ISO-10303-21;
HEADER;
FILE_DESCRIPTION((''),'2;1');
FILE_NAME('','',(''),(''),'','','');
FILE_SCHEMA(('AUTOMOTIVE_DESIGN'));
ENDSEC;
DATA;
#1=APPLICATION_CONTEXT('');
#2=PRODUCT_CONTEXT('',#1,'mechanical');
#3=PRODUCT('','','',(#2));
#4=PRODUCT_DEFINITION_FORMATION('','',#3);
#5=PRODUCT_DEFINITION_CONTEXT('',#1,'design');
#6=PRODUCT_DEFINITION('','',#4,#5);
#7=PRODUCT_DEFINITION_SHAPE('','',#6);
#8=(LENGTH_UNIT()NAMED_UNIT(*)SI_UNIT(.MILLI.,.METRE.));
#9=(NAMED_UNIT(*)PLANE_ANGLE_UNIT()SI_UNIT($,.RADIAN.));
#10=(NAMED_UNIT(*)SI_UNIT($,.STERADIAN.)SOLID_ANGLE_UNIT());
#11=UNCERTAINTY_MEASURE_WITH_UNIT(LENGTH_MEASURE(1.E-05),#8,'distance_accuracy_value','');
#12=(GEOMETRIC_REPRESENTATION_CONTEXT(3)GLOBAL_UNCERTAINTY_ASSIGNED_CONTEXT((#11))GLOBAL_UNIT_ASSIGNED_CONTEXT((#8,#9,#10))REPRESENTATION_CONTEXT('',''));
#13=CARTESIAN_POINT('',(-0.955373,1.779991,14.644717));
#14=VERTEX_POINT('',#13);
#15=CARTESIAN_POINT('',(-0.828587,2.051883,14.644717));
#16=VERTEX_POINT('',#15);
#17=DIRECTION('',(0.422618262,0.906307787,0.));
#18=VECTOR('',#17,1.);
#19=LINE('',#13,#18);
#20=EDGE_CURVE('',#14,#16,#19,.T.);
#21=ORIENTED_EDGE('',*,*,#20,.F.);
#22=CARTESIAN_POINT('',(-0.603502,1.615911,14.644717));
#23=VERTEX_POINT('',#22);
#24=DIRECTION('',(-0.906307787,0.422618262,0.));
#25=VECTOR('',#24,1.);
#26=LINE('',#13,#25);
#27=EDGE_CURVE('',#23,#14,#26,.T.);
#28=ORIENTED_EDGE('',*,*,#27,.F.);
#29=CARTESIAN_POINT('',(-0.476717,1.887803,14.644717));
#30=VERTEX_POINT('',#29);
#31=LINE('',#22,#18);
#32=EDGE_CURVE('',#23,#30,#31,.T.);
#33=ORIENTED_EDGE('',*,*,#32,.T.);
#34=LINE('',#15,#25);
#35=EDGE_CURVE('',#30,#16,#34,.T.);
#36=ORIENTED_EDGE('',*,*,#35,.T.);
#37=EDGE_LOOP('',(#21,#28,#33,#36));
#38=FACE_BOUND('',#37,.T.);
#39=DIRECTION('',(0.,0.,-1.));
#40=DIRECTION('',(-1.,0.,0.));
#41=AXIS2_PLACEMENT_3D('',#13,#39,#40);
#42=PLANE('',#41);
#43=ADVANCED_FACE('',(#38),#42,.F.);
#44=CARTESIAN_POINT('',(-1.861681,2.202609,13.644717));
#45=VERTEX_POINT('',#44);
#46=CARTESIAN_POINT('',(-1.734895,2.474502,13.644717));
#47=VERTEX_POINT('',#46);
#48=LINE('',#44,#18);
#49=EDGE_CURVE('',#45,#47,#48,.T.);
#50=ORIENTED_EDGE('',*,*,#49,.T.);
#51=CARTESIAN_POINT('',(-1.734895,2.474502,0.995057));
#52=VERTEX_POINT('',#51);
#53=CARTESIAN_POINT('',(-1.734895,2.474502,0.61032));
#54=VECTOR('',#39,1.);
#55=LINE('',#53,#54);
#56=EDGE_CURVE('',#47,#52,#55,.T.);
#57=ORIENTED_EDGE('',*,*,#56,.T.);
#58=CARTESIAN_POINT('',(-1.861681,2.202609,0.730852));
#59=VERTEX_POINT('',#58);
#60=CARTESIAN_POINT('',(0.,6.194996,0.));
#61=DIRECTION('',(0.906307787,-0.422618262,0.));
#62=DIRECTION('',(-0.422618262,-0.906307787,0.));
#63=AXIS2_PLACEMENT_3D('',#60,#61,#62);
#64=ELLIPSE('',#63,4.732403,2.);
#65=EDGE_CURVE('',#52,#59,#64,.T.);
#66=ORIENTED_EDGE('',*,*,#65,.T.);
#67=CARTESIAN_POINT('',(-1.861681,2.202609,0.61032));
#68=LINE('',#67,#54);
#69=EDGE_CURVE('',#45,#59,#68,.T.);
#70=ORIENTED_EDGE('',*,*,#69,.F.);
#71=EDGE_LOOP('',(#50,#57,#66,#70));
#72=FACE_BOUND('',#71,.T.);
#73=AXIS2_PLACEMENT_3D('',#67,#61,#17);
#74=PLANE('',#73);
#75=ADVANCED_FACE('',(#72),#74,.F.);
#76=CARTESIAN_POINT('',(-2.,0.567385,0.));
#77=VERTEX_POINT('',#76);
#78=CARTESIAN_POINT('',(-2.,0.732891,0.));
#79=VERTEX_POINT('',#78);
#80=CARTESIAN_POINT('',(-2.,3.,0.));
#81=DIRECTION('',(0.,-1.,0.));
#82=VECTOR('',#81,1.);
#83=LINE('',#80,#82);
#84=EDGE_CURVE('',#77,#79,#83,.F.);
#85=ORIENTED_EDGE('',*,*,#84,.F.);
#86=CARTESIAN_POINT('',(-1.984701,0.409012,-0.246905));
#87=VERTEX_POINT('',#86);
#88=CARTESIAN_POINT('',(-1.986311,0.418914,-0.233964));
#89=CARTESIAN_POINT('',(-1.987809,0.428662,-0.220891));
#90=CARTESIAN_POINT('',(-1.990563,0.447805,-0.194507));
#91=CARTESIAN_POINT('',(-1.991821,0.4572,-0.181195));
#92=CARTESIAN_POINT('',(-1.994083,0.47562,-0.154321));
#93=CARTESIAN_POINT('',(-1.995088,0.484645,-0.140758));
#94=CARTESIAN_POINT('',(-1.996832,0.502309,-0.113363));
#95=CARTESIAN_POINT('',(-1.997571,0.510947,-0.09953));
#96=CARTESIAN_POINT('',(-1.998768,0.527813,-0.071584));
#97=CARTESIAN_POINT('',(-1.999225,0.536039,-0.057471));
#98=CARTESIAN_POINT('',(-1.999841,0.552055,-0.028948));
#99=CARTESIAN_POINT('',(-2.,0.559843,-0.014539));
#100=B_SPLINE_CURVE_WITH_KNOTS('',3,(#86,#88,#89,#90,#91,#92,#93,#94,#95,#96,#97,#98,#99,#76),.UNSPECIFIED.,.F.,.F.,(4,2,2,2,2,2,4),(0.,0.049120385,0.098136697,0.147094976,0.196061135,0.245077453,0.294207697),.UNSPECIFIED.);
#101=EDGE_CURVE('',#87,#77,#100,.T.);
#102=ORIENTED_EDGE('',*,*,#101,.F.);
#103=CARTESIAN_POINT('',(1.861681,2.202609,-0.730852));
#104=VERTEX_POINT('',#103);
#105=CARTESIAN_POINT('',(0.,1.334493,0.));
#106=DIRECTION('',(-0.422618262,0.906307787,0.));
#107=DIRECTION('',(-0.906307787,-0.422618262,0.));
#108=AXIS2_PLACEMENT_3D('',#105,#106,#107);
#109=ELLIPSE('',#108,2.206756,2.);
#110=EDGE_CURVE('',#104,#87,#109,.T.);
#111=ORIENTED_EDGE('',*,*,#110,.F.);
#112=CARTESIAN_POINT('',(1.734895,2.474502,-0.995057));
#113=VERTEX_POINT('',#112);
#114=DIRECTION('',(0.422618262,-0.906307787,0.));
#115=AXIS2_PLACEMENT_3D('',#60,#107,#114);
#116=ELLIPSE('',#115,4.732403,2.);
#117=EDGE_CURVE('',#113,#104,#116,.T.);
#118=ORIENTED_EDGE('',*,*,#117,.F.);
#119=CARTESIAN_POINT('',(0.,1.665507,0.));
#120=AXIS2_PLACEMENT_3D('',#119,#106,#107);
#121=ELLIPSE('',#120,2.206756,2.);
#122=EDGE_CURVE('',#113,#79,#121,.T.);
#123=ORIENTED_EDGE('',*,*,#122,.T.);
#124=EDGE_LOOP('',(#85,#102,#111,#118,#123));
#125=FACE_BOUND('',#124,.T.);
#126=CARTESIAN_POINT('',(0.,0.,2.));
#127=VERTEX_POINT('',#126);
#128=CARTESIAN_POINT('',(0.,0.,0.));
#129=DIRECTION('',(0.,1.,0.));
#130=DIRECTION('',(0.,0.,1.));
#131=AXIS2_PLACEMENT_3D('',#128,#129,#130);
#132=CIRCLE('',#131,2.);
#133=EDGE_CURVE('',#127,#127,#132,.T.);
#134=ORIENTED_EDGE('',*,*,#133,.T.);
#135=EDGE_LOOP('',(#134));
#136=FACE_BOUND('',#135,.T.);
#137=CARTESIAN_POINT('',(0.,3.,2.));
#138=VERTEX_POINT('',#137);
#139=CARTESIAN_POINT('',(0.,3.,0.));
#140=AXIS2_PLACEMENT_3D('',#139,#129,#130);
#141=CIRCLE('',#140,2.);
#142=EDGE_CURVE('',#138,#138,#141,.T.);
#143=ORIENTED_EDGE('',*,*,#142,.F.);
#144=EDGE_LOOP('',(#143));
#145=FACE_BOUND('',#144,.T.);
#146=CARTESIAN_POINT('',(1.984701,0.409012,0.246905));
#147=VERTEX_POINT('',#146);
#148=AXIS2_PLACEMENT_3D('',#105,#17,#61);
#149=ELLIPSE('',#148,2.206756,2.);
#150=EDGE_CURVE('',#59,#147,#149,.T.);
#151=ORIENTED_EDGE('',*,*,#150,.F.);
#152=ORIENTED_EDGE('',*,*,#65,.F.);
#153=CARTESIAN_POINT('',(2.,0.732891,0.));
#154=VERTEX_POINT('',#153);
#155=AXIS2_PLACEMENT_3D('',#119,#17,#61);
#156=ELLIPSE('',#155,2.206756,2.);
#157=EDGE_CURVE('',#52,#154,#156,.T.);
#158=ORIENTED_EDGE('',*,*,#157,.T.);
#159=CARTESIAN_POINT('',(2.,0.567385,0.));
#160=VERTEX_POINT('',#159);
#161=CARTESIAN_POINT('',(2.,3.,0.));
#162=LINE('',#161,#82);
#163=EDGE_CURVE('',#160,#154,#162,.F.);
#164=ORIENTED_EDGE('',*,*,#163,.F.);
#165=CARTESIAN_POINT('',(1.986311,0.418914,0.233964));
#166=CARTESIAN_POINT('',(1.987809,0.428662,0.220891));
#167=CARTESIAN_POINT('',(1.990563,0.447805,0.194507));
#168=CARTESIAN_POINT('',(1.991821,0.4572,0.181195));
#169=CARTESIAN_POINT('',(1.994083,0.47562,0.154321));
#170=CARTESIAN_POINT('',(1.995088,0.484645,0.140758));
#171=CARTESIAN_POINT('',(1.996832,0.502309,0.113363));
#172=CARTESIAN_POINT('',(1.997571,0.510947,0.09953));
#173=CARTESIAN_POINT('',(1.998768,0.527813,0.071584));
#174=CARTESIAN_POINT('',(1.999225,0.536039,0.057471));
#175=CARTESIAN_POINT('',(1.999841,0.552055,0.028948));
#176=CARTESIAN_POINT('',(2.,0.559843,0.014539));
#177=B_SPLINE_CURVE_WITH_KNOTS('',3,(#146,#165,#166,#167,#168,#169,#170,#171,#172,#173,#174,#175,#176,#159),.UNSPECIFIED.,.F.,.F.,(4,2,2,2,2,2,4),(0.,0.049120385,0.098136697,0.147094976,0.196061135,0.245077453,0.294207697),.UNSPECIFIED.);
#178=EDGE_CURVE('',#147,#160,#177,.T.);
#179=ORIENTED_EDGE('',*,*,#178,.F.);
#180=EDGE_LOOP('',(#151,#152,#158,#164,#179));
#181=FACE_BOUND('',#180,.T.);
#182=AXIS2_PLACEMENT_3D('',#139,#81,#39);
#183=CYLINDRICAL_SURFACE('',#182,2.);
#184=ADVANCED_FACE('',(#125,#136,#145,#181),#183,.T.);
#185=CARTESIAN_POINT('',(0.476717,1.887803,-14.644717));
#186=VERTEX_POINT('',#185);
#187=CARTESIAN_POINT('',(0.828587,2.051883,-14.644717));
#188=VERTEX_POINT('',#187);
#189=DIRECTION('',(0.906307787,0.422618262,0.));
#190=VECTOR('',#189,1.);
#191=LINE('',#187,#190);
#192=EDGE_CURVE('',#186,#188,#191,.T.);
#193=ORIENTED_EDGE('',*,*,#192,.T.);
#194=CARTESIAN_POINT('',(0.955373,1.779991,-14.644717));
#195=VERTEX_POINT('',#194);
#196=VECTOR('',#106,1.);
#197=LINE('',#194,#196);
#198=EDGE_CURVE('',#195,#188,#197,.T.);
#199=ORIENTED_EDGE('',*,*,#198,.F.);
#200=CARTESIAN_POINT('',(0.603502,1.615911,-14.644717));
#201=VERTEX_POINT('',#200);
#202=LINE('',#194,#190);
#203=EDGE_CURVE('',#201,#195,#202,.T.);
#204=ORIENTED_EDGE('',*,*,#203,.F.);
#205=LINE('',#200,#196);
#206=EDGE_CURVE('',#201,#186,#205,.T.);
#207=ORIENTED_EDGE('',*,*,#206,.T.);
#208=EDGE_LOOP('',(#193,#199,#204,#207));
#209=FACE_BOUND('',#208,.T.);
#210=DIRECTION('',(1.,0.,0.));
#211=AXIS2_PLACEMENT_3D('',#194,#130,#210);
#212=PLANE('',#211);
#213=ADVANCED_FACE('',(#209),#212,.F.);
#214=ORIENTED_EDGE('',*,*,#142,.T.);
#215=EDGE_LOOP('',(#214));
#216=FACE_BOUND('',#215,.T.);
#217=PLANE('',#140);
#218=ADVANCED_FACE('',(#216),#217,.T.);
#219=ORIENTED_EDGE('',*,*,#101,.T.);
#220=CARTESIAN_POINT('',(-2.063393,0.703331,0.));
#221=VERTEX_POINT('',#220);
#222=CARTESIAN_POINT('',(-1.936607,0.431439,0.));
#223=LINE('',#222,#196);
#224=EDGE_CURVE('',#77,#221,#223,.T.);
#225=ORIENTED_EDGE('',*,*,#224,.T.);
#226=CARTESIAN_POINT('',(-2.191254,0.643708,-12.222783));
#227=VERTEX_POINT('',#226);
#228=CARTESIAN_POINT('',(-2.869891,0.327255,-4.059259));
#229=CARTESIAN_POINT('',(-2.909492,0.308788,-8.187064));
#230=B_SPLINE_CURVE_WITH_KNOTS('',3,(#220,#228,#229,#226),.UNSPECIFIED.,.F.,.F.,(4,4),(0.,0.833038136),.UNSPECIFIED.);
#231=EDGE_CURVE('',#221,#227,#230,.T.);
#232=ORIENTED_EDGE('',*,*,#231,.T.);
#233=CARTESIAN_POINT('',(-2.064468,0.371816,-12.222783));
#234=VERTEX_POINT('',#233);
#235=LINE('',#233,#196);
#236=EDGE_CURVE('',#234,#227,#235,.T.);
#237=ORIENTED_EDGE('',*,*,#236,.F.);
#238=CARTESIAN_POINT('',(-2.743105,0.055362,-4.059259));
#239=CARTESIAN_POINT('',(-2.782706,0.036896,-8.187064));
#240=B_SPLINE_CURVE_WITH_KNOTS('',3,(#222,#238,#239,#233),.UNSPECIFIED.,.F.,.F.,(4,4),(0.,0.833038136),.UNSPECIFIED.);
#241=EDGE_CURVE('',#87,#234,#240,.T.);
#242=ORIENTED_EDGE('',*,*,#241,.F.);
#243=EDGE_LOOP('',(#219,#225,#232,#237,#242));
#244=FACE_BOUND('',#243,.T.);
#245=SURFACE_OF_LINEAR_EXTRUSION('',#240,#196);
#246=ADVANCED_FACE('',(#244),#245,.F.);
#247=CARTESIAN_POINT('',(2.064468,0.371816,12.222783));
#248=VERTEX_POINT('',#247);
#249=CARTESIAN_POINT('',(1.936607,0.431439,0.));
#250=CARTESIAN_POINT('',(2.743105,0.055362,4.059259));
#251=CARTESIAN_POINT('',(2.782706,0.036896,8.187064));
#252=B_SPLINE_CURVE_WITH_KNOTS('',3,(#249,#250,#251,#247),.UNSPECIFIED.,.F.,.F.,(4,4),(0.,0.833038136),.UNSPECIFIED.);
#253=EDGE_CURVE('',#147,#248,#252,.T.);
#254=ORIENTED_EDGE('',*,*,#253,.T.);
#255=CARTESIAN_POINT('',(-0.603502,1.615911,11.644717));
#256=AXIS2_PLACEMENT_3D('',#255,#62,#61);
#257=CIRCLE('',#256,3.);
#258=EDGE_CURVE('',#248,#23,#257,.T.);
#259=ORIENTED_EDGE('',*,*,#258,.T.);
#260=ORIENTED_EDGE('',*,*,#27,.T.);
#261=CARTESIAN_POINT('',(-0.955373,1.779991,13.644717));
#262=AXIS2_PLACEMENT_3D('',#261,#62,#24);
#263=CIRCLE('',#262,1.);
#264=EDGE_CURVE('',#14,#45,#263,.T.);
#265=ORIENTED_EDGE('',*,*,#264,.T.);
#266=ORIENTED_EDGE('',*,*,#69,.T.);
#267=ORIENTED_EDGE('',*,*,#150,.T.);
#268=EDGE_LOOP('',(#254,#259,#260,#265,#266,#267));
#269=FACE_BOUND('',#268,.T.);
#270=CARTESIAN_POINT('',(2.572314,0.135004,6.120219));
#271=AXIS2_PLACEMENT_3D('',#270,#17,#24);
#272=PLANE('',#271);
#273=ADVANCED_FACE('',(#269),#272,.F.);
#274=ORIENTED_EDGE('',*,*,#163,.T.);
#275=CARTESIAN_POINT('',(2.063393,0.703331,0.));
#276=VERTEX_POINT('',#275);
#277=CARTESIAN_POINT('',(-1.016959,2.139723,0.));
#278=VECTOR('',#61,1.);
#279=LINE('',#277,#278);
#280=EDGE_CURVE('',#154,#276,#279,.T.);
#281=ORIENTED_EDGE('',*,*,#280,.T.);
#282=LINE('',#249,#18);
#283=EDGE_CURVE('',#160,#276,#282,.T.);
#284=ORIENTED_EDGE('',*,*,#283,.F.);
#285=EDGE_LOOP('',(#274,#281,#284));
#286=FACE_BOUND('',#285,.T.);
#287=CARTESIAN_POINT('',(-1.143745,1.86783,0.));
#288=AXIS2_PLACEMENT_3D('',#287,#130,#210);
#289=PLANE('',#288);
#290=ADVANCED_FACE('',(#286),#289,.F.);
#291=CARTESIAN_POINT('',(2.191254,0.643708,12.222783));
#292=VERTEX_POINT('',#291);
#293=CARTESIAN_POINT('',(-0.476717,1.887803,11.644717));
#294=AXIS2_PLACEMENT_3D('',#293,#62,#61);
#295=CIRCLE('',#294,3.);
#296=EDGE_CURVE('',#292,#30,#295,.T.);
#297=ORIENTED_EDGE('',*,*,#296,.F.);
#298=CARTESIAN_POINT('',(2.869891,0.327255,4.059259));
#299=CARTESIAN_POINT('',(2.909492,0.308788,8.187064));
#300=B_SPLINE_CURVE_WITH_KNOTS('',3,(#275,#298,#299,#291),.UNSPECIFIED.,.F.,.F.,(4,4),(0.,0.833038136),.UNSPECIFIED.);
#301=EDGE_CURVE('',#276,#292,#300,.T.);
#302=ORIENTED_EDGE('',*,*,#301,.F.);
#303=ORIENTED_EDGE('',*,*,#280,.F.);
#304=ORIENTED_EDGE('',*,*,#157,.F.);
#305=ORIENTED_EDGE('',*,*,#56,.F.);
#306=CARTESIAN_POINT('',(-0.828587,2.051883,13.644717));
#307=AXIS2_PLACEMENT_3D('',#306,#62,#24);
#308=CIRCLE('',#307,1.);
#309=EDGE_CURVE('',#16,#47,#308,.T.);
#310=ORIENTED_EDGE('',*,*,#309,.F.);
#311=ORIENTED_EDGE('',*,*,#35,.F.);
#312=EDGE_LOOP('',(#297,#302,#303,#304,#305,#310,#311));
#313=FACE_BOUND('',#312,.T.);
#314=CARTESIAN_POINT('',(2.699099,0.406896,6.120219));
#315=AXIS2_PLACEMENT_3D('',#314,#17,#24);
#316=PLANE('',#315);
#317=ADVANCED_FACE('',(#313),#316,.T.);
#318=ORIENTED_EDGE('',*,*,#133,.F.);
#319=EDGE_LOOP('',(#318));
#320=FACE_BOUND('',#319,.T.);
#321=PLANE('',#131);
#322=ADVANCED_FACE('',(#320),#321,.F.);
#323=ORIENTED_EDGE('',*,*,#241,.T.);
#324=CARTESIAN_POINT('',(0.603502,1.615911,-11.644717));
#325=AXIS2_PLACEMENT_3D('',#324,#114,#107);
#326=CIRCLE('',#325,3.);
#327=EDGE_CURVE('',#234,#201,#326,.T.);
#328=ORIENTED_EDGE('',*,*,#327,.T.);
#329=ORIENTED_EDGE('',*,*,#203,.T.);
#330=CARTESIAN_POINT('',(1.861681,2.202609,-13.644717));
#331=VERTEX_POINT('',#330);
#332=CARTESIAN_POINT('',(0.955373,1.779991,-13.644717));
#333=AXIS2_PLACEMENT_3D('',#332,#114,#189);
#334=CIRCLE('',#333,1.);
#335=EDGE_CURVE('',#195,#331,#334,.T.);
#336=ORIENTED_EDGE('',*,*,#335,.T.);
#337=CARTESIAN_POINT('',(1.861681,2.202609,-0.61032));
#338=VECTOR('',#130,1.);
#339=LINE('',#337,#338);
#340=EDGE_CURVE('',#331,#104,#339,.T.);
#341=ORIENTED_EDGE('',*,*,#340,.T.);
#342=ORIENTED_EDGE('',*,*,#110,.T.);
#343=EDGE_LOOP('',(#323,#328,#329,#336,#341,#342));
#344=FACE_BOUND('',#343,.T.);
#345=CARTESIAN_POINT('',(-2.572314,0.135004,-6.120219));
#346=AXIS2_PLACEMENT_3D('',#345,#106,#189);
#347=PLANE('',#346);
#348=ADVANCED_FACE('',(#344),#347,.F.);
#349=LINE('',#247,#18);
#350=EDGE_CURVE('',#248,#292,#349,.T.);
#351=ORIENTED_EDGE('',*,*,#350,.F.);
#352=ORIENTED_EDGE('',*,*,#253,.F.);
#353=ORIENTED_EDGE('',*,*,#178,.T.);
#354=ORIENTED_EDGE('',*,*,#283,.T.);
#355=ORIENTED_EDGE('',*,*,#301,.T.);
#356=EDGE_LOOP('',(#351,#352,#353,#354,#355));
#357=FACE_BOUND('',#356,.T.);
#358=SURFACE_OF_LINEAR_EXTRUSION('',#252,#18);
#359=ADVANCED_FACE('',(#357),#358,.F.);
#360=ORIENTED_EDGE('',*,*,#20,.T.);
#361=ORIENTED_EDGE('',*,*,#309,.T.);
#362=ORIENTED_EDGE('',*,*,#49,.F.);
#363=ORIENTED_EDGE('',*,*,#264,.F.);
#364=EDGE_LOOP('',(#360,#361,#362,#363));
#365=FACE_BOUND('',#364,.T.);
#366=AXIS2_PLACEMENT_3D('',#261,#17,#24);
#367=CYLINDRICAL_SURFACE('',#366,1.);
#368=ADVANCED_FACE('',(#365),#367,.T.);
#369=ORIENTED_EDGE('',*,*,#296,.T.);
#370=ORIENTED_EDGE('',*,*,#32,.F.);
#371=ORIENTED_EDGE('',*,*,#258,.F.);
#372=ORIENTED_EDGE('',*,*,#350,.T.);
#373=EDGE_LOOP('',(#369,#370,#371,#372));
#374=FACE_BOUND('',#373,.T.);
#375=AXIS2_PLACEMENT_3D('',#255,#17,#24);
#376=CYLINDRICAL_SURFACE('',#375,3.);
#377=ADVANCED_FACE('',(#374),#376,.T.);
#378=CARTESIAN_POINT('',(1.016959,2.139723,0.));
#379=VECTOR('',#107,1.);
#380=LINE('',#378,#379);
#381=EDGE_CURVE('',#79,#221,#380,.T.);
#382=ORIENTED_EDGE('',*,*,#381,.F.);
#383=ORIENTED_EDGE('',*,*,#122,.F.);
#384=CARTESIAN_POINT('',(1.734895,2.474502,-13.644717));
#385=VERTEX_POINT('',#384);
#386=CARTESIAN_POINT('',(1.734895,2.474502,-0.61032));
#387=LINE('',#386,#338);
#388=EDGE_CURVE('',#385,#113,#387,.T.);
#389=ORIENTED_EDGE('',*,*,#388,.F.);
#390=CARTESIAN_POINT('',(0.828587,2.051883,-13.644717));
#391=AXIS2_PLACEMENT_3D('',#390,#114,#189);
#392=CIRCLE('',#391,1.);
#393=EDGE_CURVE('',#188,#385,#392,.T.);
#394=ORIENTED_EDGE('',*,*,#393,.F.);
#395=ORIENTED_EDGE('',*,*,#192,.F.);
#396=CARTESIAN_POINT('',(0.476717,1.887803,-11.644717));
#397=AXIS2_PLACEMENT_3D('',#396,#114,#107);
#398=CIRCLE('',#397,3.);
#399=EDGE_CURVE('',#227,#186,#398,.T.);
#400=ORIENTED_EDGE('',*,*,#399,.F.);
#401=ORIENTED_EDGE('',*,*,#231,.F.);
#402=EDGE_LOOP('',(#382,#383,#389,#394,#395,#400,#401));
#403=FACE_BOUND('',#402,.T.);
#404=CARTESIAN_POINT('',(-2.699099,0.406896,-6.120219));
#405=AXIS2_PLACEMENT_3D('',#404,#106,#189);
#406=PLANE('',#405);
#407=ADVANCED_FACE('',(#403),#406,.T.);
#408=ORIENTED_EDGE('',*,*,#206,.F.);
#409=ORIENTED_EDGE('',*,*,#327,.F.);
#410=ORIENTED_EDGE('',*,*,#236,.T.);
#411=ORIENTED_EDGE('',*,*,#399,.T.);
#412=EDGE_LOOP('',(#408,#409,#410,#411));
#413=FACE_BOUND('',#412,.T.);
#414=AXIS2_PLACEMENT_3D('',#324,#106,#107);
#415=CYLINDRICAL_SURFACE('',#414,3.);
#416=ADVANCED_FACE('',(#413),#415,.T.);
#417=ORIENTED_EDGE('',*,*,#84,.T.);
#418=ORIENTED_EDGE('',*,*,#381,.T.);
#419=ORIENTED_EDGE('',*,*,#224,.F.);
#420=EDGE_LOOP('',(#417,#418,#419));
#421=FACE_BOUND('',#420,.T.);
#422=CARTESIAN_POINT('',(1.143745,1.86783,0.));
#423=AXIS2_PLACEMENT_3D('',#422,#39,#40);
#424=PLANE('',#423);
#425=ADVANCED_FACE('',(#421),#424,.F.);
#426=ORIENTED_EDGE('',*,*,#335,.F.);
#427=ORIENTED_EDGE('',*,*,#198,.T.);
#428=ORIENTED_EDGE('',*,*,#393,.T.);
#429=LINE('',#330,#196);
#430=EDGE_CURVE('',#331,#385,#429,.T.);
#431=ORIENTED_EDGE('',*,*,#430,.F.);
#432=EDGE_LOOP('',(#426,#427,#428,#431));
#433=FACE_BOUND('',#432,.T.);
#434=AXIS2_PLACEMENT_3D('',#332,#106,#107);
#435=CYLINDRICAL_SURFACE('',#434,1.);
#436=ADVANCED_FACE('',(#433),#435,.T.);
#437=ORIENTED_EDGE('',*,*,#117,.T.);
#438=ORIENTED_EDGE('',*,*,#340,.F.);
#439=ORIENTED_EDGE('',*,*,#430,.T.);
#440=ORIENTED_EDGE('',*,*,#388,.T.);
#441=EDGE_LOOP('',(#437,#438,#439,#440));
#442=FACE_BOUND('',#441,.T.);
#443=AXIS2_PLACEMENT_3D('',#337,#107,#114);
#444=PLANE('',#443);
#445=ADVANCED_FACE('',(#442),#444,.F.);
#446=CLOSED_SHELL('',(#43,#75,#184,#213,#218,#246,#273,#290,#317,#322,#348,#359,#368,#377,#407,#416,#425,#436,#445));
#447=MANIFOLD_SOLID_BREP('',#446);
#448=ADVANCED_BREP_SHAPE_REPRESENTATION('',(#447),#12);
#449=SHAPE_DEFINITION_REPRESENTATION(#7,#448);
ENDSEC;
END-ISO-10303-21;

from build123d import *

# Parameters (mm, degrees)
SKETCH1_R           = 2
BOSS_EXTRUDE1_DEPTH = 3
BOSS_EXTRUDE2_DEPTH = 0.15
CIRPATTERN1_COUNT   = 2


with BuildPart() as part:
    # Sketch1 → Boss-Extrude1 (new body)
    with BuildSketch(Plane(origin=(0, 0, 0), x_dir=(1, 0, 0), z_dir=(0, 1, 0))):
        with Locations(Location((0, 0, 0), (0, 0, 270))):
            Circle(SKETCH1_R)
    extrude(amount=BOSS_EXTRUDE1_DEPTH)

    # Sketch3 → Boss-Extrude2 (add, symmetric)
    with BuildSketch(Plane(origin=(0.574533332, 1.232090707, 0), x_dir=(0.9063077870366496, -0.4226182617407003, 0), z_dir=(-0.42261826174070033, -0.9063077870366497, 0))):
        with BuildLine():
            Line((-1.825963844, 0), (-2.618118511, 0.610320395))
            Line((-2.618118511, 0.610320395), (-2.618118511, 13.644717252))
            ThreePointArc((-2.618118511, 13.644717252), (-2.325225292, 14.351824033), (-1.618118511, 14.644717252))
            Line((-1.618118511, 14.644717252), (-1.229872287, 14.644717252))
            ThreePointArc((-1.229872287, 14.644717252), (0.676144985, 13.961417094), (1.713907655, 12.222782692))
            add(Edge.make_bspline(
                [(1.572828445, 0), (2.462700646, 4.059259168), (2.506395313, 8.187064394), (1.713907655, 12.222782692)],
                knots=[0, 0, 0, 0, 0.833038136, 0.833038136, 0.833038136, 0.833038136], degree=3))
            Line((1.572828445, 0), (-1.825963844, 0))
        make_face()
    boss_extrude2 = extrude(amount=BOSS_EXTRUDE2_DEPTH, both=True)

    # CirPattern1: Boss-Extrude2 ×2 about axis
    cirpattern1_axis = Axis((0, 3.15, 0), (0, -1, 0))
    for i in range(1, CIRPATTERN1_COUNT):
        add(boss_extrude2.rotate(cirpattern1_axis, i * 360 / CIRPATTERN1_COUNT))


solid = part.part
